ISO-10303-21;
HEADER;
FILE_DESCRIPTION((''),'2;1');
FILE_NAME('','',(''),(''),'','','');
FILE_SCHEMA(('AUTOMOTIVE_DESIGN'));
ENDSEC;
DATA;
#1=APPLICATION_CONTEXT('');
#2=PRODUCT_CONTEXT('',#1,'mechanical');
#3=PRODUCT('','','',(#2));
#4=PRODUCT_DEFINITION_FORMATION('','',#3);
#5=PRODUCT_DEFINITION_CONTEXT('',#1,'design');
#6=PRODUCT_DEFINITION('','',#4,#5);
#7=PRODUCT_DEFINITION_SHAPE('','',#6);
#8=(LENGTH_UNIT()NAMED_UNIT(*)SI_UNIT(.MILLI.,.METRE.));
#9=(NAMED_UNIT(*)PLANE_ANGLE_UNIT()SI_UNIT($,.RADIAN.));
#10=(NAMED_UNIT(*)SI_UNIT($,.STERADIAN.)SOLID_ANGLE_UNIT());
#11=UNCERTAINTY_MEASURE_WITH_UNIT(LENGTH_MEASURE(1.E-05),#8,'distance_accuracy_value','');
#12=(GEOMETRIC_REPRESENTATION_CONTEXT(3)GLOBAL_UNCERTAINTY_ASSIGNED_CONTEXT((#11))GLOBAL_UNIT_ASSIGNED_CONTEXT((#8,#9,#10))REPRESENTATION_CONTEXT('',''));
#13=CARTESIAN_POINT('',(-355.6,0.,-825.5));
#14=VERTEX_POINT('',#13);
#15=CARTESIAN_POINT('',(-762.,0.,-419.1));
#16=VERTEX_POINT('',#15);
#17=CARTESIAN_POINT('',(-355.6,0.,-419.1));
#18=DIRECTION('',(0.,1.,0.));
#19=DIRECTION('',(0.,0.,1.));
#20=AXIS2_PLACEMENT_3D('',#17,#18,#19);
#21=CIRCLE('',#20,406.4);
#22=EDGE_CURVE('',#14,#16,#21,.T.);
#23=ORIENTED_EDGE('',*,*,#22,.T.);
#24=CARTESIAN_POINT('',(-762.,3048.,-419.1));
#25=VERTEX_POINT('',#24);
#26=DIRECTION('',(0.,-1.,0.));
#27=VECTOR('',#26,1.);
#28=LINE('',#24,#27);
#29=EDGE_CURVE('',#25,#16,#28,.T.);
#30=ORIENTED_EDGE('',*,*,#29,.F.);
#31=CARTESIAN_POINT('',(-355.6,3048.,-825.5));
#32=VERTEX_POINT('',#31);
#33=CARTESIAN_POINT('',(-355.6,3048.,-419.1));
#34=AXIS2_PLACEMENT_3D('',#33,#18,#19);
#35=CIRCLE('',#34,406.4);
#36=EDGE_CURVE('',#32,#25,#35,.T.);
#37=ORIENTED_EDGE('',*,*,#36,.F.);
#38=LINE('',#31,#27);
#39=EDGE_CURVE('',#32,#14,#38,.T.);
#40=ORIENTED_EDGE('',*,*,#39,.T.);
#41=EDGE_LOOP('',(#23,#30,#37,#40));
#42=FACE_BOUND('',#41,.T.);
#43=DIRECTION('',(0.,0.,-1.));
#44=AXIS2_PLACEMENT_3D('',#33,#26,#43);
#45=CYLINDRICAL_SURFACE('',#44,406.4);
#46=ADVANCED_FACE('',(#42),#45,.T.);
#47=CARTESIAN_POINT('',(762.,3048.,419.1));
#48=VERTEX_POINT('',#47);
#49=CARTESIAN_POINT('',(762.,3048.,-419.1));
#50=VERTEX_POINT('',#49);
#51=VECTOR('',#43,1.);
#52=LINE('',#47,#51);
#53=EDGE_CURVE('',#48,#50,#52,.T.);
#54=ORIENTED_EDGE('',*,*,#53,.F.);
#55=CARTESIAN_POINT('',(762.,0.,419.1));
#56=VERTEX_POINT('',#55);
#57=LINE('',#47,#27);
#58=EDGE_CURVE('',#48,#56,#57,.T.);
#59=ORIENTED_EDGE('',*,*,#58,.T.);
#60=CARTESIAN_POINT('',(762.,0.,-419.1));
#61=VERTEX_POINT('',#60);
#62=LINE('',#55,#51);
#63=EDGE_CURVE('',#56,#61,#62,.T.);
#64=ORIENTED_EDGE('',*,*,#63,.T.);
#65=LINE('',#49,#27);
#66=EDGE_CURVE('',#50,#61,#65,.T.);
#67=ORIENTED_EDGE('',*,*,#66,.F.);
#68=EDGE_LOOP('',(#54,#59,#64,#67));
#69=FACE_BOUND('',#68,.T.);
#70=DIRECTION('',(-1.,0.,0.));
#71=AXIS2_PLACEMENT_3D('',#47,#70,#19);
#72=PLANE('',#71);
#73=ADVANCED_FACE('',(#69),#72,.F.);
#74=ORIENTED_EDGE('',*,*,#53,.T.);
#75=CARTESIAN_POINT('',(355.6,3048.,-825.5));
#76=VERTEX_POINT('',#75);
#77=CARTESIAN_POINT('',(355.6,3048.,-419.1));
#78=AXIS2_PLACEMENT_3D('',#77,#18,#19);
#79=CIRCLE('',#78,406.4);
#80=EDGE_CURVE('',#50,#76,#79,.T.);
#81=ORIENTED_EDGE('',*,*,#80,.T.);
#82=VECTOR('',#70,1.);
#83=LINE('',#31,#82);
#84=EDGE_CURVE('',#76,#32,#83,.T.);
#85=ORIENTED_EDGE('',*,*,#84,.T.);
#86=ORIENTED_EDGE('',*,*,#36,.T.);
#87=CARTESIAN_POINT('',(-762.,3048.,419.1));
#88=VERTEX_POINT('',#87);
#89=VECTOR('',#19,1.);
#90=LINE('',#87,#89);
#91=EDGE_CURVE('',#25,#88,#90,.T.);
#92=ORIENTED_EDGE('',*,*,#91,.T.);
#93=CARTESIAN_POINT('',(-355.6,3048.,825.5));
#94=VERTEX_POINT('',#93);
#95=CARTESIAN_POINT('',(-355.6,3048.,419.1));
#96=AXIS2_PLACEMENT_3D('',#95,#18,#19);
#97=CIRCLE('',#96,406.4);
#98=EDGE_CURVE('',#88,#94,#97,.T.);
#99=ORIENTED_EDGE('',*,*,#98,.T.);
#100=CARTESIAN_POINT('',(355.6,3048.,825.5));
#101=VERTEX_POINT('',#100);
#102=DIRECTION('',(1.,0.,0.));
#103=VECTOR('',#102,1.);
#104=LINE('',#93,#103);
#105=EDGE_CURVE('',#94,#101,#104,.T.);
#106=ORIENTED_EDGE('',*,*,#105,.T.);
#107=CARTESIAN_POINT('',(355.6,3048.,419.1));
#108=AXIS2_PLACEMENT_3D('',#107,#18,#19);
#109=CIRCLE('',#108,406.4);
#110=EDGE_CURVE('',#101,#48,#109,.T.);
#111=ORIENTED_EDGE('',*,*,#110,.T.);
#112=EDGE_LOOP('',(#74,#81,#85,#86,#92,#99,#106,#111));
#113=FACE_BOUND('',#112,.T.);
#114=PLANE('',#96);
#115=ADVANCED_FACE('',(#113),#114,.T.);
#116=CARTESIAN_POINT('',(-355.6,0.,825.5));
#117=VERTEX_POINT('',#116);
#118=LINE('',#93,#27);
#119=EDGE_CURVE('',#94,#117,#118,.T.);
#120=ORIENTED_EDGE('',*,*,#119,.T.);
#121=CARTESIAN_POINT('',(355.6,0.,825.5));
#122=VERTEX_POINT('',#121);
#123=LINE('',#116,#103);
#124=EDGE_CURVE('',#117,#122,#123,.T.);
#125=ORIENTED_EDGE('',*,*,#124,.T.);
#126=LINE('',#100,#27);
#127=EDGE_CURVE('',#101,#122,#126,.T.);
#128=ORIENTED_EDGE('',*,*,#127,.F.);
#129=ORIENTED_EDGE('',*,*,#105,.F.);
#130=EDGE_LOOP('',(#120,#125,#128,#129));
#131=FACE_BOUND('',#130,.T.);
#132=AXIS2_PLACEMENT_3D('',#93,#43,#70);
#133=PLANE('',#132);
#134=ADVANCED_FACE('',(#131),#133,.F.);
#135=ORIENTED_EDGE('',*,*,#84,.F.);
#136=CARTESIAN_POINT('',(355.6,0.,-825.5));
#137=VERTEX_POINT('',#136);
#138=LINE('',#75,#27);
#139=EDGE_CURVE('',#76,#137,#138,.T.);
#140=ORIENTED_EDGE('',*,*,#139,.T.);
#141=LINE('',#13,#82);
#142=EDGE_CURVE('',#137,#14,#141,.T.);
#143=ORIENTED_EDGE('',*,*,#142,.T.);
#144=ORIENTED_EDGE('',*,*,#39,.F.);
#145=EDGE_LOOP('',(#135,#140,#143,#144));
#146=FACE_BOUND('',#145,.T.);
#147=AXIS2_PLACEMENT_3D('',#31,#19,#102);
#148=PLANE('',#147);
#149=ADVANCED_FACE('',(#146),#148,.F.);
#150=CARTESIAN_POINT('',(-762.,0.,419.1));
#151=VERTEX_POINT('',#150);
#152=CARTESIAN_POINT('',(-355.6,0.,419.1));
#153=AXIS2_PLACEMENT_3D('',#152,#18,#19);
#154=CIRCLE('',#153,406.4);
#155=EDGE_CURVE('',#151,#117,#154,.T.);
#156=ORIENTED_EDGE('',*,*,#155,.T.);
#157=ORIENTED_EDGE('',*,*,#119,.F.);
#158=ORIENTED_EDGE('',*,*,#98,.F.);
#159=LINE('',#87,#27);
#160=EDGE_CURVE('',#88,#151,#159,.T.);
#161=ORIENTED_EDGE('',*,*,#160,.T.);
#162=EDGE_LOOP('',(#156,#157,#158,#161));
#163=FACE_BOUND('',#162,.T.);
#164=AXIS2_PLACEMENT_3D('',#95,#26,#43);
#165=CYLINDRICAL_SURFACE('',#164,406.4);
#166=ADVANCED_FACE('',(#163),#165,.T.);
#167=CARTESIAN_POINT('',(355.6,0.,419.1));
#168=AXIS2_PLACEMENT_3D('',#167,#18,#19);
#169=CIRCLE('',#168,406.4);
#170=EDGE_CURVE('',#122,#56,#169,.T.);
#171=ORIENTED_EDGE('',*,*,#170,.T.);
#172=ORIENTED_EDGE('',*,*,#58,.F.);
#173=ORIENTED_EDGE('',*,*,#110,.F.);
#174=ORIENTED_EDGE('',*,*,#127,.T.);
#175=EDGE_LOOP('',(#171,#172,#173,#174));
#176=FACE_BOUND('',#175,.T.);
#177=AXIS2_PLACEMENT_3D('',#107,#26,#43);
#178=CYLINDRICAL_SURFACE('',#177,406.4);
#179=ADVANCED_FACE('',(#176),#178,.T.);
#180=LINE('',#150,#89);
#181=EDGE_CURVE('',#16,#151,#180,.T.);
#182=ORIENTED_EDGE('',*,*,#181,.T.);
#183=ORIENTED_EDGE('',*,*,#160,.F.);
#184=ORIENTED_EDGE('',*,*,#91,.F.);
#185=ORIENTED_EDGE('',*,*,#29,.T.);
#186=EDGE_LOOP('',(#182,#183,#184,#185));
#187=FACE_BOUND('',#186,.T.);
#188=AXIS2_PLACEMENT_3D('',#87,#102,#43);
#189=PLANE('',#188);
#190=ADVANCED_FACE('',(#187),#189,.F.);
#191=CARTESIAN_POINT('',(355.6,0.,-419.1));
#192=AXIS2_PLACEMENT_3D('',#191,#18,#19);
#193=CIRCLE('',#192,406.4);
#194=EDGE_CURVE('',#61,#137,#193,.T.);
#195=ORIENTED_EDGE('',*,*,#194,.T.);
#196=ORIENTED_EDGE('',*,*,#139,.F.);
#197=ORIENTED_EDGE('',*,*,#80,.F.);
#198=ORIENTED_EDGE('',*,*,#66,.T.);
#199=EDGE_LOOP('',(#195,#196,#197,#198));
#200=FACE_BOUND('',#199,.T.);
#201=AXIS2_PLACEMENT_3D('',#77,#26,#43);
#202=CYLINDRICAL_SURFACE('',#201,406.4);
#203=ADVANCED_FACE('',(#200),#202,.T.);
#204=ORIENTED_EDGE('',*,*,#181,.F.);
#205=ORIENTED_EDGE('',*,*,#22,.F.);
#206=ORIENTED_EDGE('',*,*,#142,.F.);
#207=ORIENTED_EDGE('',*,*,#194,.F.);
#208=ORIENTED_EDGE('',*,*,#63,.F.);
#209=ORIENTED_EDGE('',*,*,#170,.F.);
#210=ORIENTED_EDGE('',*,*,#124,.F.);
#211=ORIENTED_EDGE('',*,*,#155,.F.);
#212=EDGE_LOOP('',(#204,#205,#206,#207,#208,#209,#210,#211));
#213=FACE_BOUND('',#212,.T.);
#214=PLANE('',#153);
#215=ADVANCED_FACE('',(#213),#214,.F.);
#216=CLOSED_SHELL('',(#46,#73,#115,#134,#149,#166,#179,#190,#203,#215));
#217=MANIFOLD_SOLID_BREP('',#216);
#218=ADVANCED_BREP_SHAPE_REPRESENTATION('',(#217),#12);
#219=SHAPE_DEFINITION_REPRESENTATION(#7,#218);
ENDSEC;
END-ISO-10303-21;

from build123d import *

# Parameters (mm, degrees)
BOSS_EXTRUDE1_DEPTH = 3048


with BuildPart() as part:
    # Sketch1 → Boss-Extrude1 (new body)
    with BuildSketch(Plane(origin=(0, 0, 0), x_dir=(1, 0, 0), z_dir=(0, 1, 0))):
        with BuildLine():
            Line((-355.6, -825.5), (355.6, -825.5))
            ThreePointArc((355.6, -825.5), (642.968195874, -706.468195874), (762, -419.1))
            Line((762, -419.1), (762, 419.1))
            ThreePointArc((762, 419.1), (642.968195874, 706.468195874), (355.6, 825.5))
            Line((355.6, 825.5), (-355.6, 825.5))
            ThreePointArc((-355.6, 825.5), (-642.968195874, 706.468195874), (-762, 419.1))
            Line((-762, 419.1), (-762, -419.1))
            ThreePointArc((-762, -419.1), (-642.968195874, -706.468195874), (-355.6, -825.5))
        make_face()
    extrude(amount=BOSS_EXTRUDE1_DEPTH)


solid = part.part
